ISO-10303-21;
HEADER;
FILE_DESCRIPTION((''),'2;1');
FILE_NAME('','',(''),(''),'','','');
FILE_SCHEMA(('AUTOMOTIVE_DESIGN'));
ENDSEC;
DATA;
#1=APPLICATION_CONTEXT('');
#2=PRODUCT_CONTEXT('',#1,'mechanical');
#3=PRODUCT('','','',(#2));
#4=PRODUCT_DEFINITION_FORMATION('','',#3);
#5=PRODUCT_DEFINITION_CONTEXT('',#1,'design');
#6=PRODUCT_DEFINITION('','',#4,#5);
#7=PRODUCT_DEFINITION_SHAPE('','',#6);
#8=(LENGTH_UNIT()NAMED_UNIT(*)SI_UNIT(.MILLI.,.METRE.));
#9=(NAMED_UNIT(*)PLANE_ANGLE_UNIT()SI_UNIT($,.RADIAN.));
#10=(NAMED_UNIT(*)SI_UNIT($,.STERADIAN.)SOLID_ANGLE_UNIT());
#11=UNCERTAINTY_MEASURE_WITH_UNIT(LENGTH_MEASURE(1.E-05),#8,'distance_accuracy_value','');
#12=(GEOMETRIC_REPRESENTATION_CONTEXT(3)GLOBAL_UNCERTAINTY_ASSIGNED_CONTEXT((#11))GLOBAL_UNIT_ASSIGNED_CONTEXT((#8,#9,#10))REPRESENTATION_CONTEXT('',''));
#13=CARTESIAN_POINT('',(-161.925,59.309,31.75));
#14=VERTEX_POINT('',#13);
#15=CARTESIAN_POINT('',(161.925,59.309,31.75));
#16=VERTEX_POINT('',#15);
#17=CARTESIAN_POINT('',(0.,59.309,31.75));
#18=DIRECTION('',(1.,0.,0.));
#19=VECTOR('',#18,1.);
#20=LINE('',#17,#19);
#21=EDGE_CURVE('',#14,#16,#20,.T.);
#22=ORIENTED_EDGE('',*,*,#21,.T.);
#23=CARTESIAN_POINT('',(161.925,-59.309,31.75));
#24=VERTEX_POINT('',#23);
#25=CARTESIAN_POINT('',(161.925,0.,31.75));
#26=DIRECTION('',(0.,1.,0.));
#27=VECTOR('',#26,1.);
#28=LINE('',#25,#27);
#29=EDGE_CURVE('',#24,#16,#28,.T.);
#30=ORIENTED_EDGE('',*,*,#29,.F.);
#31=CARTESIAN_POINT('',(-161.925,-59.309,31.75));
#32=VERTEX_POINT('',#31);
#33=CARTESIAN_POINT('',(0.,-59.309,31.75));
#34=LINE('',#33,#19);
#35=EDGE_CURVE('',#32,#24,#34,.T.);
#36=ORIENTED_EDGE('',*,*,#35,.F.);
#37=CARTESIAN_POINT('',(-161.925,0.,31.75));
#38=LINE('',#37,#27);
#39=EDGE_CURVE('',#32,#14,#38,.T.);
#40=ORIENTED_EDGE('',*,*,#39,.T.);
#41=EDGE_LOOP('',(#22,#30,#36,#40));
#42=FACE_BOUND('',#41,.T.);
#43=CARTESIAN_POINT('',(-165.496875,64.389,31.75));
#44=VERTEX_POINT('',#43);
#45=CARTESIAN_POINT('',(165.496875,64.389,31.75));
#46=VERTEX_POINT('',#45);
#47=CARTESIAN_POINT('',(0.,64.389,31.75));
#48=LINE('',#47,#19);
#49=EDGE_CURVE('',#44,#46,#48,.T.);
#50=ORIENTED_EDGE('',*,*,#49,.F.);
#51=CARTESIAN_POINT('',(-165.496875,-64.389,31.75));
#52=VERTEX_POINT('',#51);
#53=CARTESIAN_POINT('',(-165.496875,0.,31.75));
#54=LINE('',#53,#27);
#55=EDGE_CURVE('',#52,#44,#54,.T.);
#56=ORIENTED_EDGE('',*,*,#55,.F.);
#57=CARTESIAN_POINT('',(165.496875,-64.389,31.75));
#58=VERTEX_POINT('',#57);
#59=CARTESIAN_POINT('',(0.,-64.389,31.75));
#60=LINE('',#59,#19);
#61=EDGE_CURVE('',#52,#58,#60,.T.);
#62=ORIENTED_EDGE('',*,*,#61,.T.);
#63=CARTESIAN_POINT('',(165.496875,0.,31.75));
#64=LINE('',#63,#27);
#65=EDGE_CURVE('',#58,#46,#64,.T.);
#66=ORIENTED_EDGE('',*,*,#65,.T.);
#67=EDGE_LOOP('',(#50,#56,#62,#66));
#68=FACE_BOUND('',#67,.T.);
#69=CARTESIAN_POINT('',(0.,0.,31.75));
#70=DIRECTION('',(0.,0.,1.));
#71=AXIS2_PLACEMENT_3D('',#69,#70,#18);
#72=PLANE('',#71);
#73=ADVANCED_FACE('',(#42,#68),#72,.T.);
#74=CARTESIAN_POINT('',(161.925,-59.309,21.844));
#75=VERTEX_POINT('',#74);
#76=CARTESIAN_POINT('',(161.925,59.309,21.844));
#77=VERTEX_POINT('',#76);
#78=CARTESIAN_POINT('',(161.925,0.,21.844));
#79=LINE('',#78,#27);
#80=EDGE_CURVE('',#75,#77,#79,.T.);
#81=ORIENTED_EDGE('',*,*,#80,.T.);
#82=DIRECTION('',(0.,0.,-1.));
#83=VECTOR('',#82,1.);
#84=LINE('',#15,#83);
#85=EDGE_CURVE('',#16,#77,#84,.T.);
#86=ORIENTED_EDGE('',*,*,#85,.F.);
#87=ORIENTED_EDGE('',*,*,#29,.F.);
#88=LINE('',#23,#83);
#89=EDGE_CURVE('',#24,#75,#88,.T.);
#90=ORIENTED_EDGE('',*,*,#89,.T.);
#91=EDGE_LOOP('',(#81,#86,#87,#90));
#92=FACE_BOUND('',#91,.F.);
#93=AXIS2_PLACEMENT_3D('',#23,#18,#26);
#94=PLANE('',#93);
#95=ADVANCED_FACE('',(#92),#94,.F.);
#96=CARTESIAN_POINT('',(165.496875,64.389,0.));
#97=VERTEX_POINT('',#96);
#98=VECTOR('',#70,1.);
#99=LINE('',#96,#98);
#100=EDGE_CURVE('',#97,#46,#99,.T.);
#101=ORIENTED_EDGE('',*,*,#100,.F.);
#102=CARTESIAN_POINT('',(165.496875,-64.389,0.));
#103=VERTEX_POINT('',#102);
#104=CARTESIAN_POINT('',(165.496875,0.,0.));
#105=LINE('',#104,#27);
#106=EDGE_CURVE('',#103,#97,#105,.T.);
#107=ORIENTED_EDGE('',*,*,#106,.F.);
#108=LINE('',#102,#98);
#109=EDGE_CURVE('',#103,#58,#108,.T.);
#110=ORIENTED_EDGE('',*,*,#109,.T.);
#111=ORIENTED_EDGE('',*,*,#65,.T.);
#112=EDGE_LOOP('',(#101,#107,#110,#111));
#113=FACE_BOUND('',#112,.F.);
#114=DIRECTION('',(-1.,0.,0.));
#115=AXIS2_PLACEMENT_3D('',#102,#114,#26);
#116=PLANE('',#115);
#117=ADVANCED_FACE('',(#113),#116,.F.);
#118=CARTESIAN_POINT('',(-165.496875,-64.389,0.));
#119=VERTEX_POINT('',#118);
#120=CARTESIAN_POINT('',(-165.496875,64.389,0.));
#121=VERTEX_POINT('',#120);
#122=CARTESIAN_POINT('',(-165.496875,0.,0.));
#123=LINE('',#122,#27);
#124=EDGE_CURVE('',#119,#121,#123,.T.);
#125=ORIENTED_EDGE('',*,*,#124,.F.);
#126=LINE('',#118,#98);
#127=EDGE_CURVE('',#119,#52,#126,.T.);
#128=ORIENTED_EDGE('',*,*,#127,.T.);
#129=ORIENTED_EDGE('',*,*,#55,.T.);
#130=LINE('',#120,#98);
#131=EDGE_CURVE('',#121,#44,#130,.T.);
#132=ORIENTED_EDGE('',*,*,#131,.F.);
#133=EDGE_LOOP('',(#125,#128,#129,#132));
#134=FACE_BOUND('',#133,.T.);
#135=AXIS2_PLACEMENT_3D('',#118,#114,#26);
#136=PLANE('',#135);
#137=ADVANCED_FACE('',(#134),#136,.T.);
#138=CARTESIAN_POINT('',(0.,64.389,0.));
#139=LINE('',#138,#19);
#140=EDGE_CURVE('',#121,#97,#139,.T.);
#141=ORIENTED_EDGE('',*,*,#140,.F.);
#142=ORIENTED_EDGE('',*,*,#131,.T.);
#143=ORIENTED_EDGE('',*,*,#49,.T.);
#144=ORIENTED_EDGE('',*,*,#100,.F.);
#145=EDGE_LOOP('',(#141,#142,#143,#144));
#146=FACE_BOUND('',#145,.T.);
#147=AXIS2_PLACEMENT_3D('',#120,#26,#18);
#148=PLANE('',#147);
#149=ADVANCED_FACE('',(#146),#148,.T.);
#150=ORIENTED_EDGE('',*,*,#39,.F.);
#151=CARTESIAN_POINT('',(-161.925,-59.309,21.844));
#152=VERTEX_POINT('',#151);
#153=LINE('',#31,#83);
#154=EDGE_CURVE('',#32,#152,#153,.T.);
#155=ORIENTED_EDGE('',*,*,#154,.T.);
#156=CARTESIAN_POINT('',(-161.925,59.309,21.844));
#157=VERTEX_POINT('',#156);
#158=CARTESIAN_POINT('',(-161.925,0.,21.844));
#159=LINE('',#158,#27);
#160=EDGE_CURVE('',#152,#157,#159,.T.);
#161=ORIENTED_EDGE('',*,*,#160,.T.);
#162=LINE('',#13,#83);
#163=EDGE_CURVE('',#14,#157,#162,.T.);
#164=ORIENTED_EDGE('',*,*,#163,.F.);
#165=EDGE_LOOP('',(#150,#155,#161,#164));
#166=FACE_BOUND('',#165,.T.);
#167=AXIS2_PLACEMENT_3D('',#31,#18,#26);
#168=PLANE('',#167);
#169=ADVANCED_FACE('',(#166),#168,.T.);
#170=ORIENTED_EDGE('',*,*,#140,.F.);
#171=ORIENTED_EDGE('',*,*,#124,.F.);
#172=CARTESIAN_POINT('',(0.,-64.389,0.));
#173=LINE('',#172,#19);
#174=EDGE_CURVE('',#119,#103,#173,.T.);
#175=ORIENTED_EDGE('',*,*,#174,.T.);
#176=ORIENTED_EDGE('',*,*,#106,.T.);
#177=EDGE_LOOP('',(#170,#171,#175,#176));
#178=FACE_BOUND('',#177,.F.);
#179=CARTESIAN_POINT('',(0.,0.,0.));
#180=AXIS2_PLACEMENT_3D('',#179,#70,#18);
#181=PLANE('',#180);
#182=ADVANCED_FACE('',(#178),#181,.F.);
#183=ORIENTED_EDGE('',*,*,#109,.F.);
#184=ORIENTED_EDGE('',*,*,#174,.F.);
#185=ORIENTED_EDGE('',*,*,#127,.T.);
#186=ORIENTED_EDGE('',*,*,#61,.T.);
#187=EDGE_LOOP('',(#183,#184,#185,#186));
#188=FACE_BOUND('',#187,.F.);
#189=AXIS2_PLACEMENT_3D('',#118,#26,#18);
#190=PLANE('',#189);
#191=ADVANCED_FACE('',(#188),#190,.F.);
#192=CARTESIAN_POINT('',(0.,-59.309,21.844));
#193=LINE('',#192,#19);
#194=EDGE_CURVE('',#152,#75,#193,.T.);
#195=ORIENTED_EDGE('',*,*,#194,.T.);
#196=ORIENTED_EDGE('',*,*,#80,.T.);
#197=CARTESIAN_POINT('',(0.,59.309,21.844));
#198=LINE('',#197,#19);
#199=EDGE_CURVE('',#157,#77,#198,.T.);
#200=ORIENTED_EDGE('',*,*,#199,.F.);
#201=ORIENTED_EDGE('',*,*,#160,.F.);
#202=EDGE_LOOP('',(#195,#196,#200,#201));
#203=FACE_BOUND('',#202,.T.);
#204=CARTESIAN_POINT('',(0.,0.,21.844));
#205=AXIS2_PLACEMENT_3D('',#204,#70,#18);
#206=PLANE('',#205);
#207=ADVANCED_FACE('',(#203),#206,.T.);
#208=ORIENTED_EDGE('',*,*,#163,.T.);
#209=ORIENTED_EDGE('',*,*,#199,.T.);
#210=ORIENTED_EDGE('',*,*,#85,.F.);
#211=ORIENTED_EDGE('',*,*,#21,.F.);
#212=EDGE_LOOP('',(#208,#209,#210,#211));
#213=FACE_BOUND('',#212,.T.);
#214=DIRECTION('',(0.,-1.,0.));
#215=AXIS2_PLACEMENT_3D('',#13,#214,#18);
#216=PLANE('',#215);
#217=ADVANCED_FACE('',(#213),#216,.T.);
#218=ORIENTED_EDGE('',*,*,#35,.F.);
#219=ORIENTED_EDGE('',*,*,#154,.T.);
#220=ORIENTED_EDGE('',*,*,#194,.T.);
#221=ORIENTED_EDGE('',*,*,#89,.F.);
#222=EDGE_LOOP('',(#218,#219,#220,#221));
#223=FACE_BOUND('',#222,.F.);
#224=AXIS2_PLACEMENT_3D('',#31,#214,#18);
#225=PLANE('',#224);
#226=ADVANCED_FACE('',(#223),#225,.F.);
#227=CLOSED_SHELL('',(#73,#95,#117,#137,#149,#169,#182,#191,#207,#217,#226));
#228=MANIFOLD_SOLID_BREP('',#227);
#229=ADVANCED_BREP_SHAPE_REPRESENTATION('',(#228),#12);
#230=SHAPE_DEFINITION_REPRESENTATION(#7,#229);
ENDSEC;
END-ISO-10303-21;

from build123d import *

# Parameters (mm, degrees)
SKETCH002_W      = 323.85
SKETCH002_H      = 118.618
EXTRUDE002_DEPTH = 9.906
SKETCH001_W      = 323.85
SKETCH001_H      = 128.778
EXTRUDE001_DEPTH = 9.906
SKETCH_W         = 330.99375
SKETCH_H         = 128.778
EXTRUDE_DEPTH    = 31.75


with BuildPart() as extrude002:
    # Sketch002 (on Face6 of Cut) → Extrude002 (new body)
    with BuildSketch(Plane.XY.offset(31.75)):
        Rectangle(SKETCH002_W, SKETCH002_H)
    extrude(amount=-EXTRUDE002_DEPTH)


with BuildPart() as extrude001:
    # Sketch001 (on Face6 of Extrude) → Extrude001 (new body)
    with BuildSketch(Plane.XY.offset(31.75)):
        with Locations((334.565625, 0)):
            Rectangle(SKETCH001_W, SKETCH001_H)
    extrude(amount=-EXTRUDE001_DEPTH)


with BuildPart() as cut001:
    # Sketch → Extrude (new body)
    with BuildSketch(Plane.XY):
        Rectangle(SKETCH_W, SKETCH_H)
    extrude(amount=EXTRUDE_DEPTH)

    # Cut: cut Extrude001
    add(extrude001.part, mode=Mode.SUBTRACT)

    # Cut001: cut Extrude002
    add(extrude002.part, mode=Mode.SUBTRACT)


solid = cut001.part
